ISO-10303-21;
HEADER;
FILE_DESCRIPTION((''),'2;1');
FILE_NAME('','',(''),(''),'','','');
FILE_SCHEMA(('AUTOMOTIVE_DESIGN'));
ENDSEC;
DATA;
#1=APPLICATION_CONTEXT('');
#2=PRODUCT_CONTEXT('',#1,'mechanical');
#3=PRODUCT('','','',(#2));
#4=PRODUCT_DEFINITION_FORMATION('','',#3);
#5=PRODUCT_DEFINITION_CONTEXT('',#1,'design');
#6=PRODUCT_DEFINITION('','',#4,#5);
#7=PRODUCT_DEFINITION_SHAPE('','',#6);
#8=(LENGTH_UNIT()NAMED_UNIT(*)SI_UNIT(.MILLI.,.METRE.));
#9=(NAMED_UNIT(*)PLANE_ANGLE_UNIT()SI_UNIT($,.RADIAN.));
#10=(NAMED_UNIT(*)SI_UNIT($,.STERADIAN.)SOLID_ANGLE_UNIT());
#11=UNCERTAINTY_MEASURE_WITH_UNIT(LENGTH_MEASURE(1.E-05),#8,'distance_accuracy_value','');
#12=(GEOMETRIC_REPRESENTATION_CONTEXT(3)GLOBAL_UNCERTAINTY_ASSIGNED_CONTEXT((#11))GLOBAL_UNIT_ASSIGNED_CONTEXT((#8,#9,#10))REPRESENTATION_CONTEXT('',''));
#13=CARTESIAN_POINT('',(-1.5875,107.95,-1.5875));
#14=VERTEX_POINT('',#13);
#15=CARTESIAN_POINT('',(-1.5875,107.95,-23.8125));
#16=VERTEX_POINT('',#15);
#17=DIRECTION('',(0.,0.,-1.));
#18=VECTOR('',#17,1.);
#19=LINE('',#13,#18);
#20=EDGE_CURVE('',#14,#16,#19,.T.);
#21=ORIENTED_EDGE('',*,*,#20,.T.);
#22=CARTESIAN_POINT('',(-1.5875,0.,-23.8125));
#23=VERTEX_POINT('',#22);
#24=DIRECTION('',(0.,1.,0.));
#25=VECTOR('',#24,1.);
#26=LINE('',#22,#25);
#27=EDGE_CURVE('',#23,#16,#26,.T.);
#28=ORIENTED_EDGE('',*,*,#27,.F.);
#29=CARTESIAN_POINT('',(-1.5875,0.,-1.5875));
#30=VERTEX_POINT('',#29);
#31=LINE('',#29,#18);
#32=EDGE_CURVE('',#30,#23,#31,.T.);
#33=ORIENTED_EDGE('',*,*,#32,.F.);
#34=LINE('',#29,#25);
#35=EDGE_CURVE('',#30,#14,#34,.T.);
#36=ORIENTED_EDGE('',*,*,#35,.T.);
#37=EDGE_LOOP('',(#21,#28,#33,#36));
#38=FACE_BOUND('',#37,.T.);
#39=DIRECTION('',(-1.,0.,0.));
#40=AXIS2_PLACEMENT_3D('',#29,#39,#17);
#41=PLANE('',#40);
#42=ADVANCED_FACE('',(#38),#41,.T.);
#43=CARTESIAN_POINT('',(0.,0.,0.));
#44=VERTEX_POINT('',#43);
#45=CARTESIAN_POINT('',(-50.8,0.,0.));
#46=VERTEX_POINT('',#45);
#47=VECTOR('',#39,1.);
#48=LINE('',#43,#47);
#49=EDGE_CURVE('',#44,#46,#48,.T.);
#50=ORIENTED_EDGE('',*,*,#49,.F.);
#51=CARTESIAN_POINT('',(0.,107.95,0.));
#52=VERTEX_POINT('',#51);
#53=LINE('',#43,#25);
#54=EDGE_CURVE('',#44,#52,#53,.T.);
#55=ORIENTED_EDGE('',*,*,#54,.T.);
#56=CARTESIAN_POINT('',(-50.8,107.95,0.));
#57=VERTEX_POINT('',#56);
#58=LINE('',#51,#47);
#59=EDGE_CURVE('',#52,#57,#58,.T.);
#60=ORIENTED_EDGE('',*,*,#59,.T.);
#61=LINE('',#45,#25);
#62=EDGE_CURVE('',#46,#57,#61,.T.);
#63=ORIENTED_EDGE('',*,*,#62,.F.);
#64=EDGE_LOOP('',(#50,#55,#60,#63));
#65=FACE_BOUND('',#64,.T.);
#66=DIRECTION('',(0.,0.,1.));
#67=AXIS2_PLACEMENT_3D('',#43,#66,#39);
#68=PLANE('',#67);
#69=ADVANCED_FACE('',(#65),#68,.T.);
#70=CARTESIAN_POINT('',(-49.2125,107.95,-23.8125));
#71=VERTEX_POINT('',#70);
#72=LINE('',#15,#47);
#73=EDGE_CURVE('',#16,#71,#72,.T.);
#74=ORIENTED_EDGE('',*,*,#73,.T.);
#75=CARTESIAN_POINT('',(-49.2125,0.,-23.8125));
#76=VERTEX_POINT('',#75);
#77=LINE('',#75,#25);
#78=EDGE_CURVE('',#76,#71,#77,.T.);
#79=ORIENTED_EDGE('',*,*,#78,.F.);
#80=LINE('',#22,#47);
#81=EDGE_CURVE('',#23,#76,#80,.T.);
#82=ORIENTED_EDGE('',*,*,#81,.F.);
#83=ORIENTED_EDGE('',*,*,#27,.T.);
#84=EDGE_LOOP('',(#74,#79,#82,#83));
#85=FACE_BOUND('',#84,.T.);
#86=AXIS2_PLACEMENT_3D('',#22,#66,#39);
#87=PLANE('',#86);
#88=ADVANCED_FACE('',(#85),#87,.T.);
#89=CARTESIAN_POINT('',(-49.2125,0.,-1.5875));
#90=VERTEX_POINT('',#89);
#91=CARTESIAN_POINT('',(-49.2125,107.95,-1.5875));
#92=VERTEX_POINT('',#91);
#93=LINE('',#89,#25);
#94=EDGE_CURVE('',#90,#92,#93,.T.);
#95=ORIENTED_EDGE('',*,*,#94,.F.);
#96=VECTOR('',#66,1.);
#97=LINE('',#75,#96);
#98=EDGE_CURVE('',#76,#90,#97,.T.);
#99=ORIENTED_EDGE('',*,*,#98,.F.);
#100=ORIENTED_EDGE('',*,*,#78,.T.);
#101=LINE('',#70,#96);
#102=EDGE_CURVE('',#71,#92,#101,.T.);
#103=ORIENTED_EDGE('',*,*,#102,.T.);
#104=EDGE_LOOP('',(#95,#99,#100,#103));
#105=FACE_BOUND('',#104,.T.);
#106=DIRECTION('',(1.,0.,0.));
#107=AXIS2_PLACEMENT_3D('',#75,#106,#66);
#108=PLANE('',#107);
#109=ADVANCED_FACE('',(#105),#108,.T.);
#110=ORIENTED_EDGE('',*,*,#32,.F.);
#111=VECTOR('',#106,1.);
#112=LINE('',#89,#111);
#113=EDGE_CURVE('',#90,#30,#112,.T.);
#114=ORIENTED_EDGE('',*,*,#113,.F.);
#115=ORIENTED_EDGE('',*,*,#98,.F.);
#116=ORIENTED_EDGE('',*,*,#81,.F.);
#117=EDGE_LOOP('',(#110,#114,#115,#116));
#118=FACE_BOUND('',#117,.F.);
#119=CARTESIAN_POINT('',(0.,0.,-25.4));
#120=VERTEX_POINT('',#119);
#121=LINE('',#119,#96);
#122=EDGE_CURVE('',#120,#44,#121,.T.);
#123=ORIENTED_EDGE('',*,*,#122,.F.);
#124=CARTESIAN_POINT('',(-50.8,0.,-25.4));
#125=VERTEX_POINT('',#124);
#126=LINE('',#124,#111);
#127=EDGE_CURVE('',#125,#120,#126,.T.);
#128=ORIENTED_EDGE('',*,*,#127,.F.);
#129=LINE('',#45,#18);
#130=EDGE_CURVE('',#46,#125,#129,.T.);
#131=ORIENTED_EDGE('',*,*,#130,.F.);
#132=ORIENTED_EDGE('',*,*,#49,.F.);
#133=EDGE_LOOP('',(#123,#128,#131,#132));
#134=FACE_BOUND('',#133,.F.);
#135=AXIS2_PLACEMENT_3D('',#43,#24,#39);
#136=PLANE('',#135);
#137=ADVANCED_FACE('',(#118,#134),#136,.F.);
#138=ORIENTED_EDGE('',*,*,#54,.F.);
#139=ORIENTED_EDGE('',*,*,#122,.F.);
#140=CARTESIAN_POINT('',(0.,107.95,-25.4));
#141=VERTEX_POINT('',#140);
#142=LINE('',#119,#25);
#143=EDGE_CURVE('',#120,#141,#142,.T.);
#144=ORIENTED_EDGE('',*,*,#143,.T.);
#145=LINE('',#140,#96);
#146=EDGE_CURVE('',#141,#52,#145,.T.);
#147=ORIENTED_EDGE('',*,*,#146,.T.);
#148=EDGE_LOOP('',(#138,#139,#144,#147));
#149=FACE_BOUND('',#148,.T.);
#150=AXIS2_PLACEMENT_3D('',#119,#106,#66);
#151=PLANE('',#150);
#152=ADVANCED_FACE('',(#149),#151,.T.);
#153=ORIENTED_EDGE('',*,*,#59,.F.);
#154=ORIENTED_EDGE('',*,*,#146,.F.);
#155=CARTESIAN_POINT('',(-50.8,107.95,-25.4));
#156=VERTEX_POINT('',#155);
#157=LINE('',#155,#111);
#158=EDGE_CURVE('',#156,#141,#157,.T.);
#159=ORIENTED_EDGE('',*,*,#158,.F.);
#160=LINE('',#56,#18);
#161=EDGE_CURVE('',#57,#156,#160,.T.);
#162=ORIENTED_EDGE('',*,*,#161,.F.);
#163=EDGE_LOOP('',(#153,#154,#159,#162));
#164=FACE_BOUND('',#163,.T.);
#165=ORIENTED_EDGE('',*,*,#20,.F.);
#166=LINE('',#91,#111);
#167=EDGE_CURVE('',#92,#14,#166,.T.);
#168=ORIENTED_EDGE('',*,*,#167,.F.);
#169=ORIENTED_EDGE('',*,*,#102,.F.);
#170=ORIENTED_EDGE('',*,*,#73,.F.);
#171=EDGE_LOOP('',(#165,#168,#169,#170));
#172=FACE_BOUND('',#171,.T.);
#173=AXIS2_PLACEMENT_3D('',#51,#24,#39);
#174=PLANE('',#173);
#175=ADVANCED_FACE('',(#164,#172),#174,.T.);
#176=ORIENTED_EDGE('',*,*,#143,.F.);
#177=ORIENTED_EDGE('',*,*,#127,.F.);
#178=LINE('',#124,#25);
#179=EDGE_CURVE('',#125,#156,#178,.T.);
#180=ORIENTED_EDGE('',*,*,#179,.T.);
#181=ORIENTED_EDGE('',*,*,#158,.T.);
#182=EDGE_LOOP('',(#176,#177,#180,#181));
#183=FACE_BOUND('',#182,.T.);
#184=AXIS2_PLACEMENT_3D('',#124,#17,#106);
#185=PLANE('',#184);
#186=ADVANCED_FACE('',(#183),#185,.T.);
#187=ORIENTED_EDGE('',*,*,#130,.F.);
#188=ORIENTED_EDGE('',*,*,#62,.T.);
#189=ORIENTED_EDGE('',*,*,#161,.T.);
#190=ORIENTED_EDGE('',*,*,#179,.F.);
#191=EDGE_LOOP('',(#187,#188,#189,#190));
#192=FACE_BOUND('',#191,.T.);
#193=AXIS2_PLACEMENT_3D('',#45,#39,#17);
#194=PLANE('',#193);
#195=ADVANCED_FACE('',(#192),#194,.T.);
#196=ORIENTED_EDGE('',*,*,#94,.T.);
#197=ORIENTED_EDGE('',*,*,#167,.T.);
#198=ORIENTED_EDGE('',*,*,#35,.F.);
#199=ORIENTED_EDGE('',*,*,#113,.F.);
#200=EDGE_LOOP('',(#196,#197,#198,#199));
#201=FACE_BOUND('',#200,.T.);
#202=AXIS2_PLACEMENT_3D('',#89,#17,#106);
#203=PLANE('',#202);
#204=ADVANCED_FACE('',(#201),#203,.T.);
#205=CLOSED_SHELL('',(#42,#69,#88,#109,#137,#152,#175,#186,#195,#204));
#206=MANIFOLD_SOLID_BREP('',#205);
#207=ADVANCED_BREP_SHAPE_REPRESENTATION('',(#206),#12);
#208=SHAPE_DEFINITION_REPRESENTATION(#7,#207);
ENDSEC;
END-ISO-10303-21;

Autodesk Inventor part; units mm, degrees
ref_plane "YZ Plane" through (0, 0, 0) normal (1, 0, 0) x (0, 1, 0)
ref_plane "XZ Plane" through (0, 0, 0) normal (0, 1, 0) x (-1, 0, 0)
ref_plane "XY Plane" through (0, 0, 0) normal (0, 0, 1) x (1, 0, 0)
sketch "Sketch1" plane through (0, 0, 0) normal (0, 1, 0) x (-1, 0, 0)
  line L0 (0, 0) -> (50.8, 0)
  line L1 (50.8, 0) -> (50.8, -25.4)
  line L2 (50.8, -25.4) -> (0, -25.4)
  line L3 (0, -25.4) -> (0, 0)
  line L4 (49.2125, -1.5875) -> (1.5875, -1.5875)
  line L5 (1.5875, -1.5875) -> (1.5875, -23.8125)
  line L6 (1.5875, -23.8125) -> (49.2125, -23.8125)
  line L7 (49.2125, -23.8125) -> (49.2125, -1.5875)
  dimension "d0" = 50.8
  dimension "d1" = 25.4
  dimension "d2" = 1.5875
extrude "Extrusion1" add sketch "Sketch1" along normal blind 107.95
properties part number "FRA_005_CornerStandoffs" material "Aluminum 6061"
